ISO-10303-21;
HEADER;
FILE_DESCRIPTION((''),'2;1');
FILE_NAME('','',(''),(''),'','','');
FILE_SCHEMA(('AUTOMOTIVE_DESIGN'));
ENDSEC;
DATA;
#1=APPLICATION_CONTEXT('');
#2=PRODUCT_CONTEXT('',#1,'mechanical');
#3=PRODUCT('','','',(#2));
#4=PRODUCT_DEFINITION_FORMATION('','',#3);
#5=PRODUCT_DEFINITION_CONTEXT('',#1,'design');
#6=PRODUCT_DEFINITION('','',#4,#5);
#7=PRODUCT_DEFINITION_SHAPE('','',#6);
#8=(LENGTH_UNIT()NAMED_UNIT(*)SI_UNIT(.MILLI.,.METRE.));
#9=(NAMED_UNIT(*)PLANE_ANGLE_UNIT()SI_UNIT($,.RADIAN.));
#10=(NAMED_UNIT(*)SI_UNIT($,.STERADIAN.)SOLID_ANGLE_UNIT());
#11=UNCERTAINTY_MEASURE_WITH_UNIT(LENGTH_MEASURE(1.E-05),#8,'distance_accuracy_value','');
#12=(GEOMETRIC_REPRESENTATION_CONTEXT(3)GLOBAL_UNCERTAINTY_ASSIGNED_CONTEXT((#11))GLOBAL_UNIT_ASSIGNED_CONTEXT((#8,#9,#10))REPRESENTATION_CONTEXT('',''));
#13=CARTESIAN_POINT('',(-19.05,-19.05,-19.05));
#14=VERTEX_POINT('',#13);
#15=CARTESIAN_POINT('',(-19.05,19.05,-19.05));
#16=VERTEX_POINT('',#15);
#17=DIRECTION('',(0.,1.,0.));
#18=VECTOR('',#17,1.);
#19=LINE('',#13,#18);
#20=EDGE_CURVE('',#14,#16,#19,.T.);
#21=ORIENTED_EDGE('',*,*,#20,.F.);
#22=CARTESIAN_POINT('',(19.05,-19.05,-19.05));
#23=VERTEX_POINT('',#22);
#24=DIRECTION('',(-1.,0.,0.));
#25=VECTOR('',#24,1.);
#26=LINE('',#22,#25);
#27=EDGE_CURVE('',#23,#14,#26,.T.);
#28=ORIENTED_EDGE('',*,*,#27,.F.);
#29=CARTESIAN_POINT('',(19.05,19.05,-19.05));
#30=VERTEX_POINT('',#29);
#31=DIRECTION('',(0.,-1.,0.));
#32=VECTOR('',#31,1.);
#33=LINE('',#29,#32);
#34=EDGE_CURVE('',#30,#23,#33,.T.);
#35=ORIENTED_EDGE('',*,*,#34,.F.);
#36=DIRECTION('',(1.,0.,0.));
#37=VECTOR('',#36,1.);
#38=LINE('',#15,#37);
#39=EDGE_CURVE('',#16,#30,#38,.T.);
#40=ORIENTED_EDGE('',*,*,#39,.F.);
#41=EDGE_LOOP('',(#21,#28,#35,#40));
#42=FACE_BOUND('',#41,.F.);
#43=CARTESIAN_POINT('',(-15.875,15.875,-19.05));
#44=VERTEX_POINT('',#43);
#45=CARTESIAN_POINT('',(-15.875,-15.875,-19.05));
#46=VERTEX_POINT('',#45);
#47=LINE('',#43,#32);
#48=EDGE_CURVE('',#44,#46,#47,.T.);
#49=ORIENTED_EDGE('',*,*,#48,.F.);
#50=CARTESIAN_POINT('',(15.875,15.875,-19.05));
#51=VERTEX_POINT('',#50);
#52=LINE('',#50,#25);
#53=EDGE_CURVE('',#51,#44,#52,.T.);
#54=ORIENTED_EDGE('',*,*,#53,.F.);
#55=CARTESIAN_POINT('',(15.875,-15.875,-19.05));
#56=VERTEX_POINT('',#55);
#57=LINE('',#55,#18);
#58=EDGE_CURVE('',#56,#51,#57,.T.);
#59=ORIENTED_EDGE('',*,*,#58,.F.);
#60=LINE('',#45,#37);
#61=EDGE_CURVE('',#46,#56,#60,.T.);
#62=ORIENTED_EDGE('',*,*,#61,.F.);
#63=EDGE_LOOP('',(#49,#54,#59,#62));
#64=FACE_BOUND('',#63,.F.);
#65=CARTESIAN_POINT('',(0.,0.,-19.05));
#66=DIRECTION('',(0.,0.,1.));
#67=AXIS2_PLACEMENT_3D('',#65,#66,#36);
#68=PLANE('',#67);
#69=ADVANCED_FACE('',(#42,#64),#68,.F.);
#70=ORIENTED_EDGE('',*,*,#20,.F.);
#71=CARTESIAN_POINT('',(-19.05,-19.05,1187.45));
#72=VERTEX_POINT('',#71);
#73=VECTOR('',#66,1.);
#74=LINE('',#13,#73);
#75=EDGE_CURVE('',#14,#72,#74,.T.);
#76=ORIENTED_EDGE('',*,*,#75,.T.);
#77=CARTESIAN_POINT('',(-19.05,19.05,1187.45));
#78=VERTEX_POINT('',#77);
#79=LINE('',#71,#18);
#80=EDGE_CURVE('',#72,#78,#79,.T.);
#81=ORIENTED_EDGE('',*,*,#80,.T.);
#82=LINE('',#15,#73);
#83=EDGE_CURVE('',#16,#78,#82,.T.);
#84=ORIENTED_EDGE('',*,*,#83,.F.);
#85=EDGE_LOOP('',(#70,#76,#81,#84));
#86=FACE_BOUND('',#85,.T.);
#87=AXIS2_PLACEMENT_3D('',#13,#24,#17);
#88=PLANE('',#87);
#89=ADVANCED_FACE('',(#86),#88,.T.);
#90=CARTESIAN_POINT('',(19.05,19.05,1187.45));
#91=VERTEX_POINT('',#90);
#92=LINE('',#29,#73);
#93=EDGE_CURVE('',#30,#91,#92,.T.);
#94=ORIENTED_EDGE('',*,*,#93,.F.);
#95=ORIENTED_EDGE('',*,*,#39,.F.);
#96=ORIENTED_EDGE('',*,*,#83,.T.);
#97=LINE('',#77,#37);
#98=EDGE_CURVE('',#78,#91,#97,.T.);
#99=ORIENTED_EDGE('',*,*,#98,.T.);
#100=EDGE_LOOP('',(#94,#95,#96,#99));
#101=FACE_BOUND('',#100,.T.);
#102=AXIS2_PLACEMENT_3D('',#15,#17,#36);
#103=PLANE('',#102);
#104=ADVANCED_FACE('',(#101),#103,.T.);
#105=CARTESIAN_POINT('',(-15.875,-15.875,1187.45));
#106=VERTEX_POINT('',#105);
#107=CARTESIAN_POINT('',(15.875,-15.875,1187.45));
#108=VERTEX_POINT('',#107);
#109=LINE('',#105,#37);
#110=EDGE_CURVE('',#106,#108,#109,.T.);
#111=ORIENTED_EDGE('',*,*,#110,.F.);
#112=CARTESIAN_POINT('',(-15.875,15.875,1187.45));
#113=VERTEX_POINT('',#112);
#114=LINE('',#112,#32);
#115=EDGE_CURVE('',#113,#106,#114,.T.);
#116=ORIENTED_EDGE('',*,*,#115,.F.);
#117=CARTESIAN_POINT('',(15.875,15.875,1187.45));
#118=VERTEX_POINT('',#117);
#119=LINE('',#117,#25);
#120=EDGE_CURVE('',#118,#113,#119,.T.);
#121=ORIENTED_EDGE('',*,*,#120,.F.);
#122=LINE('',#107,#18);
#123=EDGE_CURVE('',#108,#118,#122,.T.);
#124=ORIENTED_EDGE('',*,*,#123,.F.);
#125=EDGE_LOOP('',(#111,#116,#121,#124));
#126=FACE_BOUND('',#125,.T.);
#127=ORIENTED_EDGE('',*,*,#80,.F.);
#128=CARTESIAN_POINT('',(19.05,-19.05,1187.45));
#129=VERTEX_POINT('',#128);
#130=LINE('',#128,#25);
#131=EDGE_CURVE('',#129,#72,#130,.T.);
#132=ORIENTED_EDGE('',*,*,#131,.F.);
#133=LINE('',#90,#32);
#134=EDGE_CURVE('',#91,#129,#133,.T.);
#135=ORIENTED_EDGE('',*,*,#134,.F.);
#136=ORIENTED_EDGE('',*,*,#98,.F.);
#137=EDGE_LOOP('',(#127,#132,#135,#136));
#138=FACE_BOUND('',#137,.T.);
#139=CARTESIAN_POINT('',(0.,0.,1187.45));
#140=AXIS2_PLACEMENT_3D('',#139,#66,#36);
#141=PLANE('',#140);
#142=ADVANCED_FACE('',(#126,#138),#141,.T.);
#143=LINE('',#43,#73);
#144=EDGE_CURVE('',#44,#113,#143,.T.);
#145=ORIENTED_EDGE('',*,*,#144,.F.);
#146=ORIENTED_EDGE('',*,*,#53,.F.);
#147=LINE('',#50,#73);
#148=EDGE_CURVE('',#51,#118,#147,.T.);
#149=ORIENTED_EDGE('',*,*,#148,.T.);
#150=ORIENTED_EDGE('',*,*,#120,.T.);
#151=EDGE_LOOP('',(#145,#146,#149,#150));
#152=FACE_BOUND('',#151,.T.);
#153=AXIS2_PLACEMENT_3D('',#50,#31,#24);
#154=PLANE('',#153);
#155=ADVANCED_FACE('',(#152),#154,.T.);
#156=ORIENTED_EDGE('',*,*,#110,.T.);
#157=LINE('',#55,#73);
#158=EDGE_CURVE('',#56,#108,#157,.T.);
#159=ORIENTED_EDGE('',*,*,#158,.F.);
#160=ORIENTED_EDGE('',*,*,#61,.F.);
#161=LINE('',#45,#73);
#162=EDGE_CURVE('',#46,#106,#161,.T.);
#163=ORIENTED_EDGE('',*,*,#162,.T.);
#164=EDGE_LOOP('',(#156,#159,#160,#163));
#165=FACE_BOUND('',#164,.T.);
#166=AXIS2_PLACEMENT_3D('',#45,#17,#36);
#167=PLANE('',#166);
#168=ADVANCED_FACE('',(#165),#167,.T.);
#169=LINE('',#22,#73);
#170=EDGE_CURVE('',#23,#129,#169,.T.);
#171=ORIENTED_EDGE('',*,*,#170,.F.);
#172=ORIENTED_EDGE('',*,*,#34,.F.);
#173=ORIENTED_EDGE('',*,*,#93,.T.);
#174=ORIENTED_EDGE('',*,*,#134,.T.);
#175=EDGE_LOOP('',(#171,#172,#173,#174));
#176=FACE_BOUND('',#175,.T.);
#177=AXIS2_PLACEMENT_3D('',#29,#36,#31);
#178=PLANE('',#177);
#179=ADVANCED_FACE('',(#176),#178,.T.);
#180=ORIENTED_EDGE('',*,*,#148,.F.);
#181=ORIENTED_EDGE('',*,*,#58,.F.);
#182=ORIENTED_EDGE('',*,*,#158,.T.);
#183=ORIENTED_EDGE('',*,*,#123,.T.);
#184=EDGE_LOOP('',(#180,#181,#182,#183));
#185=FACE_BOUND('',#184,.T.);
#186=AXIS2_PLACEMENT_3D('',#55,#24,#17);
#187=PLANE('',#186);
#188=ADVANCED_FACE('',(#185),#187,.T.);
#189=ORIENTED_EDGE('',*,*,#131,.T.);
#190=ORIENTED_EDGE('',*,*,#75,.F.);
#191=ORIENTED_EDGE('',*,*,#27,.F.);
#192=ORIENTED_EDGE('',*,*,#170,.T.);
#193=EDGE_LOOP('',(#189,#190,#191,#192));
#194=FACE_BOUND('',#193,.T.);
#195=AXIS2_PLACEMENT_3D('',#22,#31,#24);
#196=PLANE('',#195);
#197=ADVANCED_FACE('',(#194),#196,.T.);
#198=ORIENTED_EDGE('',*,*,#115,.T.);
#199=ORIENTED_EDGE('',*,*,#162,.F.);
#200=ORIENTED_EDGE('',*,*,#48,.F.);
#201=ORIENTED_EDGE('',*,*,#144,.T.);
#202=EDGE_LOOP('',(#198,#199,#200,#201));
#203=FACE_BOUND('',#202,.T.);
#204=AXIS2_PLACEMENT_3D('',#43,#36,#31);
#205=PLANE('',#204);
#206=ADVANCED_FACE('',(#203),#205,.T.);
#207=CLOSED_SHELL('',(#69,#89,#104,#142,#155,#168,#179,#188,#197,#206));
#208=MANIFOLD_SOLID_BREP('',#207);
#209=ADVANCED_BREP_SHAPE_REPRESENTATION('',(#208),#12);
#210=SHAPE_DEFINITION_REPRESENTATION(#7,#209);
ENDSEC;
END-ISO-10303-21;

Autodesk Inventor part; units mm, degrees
ref_plane "Start Plane" through (0, 0, -19.05) normal (0, 0, 1) x (1, 0, 0)
ref_plane "End Plane" through (0, 0, 1187.45) normal (0, 0, 1) x (1, 0, 0)
sketch "Sketch" plane through (0, 0, 0) normal (0, 0, 1) x (1, 0, 0)
  line L0 (-19.05, 19.05) -> (19.05, 19.05)
  line L1 (19.05, 19.05) -> (19.05, -19.05)
  line L2 (19.05, -19.05) -> (-19.05, -19.05)
  line L3 (-19.05, -19.05) -> (-19.05, 19.05)
  line L4 (15.875, 15.875) -> (-15.875, 15.875)
  line L5 (-15.875, 15.875) -> (-15.875, -15.875)
  line L6 (-15.875, -15.875) -> (15.875, -15.875)
  line L7 (15.875, -15.875) -> (15.875, 15.875)
  point P0 (0, 0)
  point P1 (0, 19.05)
  point P2 (-19.05, 0)
  dimension "width" = 38.1
  dimension "d1" = 3.175
extrude "Body" add sketch "Sketch" along normal up to surface (1206.5 mm away) from surface at -19.05
sketch "Sketch4" plane through (0, 0, 0) normal (0, 0, 1) x (1, 0, 0)
  line L0 (0, 0) -> (10, 0)
ref_plane "Work Plane4" through (0, 0, 0) normal (0, -1, 0) x (1, 0, 0)
sketch "Sketch5" plane through (0, 0, 0) normal (0, -1, 0) x (1, 0, 0)
  line L0 (-2, -19.05) -> (12, -19.05)
  line L1 (-2, 1187.45) -> (12, 1187.45)
  dimension "d9" = 1206.5
ref_plane "Work Plane5" through (0, -19.05, 1187.45) normal (0, 0, 1) x (1, 0, 0)
split "Split1" plane through (0, -19.05, 1187.45) removes the side toward (0, 0, 1)
ref_plane "Work Plane6" through (685.8, -19.05, -19.05) normal (0, 0, -1) x (-1, 0, 0)
split "Split2" plane through (685.8, -19.05, -19.05) removes the side toward (0, 0, -1)
equation "\"G_OFFSET_START\" = 19.05"
equation "\"G_OFFSET_END\" = 19.05"
equation "\"d4\" = -G_OFFSET_START"
equation "\"d5\" = length + G_OFFSET_END"
equation "\"G_L\" = 1168.4"
equation "\"length\" = 1168.4"
properties part number "1.5x1.5x.125 Tube" material "Aluminum-6061"
